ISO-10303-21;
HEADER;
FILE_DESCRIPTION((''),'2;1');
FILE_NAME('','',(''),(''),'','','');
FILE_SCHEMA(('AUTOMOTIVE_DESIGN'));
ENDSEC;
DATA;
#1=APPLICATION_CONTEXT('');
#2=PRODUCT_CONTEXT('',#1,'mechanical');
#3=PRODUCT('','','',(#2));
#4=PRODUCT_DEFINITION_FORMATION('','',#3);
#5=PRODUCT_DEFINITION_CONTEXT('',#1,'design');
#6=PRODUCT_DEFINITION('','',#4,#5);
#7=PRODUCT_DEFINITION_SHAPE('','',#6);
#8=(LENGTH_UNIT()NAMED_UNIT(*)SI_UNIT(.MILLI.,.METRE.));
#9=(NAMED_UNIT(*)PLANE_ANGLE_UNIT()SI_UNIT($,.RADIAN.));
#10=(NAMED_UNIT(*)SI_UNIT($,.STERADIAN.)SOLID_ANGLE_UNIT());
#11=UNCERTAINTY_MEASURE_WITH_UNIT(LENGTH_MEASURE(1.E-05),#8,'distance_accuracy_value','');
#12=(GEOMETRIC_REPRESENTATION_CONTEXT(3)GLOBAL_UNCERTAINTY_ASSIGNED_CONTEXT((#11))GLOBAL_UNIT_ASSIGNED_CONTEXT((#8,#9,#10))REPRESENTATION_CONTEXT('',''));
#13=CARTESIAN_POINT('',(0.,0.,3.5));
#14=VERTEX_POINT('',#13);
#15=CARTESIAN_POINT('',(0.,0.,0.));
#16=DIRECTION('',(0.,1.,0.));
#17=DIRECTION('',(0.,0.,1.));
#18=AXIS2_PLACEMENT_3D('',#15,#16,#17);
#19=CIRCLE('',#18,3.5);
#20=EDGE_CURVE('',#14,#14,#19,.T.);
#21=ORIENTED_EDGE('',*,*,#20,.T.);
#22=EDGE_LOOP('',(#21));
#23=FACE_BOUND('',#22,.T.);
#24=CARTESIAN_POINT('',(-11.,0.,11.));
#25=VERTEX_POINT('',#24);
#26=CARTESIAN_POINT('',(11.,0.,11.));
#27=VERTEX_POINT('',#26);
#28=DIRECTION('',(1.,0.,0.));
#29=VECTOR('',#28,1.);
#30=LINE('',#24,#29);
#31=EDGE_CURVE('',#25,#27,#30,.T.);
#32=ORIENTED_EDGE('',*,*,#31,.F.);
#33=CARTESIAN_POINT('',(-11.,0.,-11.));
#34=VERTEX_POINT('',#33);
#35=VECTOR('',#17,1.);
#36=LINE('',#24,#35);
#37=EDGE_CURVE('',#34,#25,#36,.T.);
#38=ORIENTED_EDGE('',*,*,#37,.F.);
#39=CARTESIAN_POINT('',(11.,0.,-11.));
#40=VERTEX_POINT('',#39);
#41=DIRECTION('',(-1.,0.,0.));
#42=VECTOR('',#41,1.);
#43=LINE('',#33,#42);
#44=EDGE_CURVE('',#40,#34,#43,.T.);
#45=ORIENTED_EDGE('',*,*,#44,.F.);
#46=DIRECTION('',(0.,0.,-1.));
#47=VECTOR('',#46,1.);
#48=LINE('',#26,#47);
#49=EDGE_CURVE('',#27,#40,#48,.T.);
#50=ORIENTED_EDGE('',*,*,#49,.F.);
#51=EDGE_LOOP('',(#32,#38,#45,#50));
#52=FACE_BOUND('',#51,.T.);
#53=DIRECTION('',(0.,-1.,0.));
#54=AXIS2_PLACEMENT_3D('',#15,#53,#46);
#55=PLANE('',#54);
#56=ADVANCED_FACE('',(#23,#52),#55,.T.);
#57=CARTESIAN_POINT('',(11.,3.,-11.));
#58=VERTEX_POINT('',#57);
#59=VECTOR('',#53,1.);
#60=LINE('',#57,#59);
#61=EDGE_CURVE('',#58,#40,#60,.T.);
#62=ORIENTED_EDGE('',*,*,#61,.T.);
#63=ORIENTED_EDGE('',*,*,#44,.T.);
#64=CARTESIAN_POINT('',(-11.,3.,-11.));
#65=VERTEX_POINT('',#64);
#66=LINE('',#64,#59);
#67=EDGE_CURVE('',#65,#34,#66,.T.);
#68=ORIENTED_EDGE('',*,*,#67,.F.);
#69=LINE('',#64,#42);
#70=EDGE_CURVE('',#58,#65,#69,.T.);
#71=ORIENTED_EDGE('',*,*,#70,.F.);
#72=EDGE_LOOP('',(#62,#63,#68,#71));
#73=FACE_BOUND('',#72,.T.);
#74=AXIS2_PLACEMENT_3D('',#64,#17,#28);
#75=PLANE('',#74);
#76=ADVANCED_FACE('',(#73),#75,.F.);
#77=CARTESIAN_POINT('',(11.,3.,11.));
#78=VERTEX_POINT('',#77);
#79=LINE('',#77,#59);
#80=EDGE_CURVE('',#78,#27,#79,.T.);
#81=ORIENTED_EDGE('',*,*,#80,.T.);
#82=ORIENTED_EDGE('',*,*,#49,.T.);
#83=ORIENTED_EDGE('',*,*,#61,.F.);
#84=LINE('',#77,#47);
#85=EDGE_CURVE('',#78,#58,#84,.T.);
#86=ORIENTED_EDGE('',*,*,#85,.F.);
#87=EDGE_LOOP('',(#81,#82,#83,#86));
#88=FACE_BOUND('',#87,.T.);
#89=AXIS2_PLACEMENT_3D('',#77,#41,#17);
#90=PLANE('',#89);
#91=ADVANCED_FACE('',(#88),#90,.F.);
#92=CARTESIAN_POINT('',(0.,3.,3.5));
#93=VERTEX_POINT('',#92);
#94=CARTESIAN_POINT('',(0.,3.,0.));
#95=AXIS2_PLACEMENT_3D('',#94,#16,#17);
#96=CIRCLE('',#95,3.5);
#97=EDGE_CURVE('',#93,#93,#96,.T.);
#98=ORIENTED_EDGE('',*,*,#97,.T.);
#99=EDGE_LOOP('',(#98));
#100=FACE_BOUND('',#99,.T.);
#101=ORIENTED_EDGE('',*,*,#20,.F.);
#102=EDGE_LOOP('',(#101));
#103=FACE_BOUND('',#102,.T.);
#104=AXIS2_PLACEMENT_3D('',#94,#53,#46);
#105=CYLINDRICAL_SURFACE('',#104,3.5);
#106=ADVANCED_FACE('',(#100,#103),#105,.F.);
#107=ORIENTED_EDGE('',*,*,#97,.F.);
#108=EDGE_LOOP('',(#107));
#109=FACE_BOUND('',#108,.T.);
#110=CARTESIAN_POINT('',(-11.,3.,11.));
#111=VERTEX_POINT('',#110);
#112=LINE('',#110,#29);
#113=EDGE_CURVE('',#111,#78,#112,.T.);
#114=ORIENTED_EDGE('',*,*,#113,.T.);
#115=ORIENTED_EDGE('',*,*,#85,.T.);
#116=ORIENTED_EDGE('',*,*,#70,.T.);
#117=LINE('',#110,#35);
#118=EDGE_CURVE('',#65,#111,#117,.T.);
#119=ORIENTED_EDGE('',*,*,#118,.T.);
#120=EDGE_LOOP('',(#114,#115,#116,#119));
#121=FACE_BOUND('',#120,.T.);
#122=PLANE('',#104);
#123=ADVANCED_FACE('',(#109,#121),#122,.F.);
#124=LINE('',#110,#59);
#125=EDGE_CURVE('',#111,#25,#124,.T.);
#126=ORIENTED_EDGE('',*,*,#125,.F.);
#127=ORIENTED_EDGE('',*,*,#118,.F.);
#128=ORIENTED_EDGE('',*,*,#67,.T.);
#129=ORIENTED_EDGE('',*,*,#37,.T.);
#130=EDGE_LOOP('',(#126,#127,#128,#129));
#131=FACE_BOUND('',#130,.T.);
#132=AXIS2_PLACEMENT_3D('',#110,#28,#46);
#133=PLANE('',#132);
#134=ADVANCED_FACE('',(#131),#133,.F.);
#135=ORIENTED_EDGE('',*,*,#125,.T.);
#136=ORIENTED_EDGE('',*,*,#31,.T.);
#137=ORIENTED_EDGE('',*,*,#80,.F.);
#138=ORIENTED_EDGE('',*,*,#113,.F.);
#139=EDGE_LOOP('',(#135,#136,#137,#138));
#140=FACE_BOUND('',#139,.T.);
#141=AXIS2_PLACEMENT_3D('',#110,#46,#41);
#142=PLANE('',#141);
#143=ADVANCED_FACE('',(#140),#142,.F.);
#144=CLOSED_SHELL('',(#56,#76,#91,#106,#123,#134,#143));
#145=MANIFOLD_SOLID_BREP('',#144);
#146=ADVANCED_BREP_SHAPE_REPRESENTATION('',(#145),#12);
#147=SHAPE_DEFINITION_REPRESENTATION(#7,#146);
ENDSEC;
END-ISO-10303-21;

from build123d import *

# Parameters (mm, degrees)
SKETCH1_W           = 22
SKETCH1_H           = 22
SKETCH1_R           = 3.5
BOSS_EXTRUDE1_DEPTH = 3


with BuildPart() as part:
    # Sketch1 → Boss-Extrude1 (new body)
    with BuildSketch(Plane(origin=(0, 0, 0), x_dir=(1, 0, 0), z_dir=(0, 1, 0))):
        Rectangle(SKETCH1_W, SKETCH1_H)
        with Locations(Location((0, 0, 0), (0, 0, 270))):
            Circle(SKETCH1_R, mode=Mode.SUBTRACT)
    extrude(amount=BOSS_EXTRUDE1_DEPTH)


solid = part.part
